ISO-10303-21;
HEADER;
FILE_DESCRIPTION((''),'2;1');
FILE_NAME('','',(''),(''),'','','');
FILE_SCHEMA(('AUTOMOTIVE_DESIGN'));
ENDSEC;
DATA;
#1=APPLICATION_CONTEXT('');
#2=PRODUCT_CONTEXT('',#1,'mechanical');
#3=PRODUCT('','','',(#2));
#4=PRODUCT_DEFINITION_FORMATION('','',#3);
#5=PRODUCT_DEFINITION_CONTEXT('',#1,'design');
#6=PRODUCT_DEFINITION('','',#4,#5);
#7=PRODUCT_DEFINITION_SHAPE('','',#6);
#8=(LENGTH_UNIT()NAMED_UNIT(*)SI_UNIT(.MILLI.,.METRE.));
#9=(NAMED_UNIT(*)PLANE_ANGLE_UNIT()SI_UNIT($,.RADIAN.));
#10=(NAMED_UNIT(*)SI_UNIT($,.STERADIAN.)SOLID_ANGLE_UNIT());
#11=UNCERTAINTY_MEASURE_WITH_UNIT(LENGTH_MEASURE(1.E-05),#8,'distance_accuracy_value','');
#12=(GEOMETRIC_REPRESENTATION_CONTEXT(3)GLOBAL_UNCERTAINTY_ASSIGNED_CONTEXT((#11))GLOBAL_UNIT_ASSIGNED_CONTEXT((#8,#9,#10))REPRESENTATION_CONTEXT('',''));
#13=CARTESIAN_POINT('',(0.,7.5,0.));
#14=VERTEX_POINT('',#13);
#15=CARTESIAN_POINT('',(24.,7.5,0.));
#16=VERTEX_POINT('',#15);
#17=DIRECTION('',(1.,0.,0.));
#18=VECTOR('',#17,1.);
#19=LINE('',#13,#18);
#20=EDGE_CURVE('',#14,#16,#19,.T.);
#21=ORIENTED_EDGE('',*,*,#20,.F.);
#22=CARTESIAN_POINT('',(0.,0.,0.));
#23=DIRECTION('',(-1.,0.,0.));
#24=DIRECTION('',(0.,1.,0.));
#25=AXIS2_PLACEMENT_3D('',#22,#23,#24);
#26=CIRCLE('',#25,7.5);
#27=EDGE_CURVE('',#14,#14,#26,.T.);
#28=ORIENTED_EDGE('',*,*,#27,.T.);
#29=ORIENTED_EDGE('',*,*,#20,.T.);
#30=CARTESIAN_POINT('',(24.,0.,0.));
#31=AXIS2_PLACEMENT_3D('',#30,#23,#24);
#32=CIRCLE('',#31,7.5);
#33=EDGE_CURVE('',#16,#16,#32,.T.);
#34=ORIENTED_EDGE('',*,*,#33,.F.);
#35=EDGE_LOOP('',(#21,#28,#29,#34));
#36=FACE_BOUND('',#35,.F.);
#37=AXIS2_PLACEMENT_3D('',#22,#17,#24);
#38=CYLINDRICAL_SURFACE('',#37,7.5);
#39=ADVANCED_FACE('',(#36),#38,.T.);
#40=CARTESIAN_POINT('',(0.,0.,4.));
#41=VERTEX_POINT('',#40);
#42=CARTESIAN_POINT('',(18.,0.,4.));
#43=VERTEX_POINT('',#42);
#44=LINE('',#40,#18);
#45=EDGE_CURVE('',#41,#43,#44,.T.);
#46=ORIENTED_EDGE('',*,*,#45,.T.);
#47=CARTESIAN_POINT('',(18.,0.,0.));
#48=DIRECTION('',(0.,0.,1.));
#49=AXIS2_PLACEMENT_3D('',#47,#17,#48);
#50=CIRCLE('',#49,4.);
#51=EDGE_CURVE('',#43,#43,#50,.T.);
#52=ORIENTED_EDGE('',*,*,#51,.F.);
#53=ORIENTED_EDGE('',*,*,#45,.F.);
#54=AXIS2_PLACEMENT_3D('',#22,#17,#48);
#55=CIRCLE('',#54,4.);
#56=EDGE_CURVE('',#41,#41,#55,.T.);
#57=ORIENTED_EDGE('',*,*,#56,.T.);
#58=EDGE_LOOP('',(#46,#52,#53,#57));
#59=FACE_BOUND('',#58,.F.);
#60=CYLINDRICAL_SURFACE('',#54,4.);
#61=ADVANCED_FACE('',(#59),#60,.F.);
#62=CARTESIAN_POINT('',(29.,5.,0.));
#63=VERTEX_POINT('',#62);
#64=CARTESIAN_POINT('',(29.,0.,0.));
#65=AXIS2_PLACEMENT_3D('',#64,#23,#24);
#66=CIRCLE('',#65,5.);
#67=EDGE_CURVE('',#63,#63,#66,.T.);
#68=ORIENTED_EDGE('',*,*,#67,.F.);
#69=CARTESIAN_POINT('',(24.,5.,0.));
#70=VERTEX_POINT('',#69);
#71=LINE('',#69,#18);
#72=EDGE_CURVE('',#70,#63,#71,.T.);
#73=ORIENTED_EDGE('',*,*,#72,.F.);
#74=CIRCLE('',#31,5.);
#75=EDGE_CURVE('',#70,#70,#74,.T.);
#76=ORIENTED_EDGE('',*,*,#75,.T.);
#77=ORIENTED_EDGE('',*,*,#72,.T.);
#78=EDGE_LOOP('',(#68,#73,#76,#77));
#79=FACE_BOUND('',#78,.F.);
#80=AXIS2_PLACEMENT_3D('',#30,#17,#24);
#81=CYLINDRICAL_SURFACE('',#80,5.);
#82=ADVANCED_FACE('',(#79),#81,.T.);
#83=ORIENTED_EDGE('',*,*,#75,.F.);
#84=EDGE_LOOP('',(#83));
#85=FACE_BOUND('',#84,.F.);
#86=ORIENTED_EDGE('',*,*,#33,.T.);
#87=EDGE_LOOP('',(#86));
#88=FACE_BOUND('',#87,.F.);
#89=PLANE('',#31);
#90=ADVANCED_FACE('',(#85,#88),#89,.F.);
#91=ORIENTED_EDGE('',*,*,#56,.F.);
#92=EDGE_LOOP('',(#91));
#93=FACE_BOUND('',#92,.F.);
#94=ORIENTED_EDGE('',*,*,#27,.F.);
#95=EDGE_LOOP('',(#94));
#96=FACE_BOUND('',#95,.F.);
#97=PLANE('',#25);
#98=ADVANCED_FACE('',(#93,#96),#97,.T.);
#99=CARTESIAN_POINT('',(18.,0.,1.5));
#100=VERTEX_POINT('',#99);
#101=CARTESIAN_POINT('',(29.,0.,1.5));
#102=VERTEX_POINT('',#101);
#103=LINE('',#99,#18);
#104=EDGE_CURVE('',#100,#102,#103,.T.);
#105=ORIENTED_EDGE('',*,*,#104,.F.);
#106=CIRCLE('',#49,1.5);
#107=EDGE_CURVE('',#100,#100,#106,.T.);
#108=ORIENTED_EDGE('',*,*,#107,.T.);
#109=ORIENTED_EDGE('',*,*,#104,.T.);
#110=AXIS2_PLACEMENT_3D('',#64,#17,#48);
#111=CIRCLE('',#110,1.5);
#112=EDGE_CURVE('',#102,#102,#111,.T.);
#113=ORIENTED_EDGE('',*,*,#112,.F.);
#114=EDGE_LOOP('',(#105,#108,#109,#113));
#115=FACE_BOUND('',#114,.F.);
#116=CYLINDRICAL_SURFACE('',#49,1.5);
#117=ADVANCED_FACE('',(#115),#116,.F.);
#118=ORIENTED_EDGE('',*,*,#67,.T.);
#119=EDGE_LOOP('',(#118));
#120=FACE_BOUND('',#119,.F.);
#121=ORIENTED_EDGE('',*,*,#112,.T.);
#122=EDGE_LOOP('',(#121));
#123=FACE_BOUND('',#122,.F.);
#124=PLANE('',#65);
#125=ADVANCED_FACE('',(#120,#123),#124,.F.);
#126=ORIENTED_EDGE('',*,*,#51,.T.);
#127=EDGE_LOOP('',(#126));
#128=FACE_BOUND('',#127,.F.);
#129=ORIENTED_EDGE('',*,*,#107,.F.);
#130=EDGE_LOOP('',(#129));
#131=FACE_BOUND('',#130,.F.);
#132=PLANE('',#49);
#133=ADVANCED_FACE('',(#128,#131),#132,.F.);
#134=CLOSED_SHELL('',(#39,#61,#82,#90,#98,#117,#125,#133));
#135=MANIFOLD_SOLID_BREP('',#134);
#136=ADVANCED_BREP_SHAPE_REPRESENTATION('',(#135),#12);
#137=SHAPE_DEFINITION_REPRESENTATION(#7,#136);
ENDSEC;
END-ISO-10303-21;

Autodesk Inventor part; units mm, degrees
ref_plane "YZ Plane" through (0, 0, 0) normal (1, 0, 0) x (0, 1, 0)
ref_plane "XZ Plane" through (0, 0, 0) normal (0, 1, 0) x (-1, 0, 0)
ref_plane "XY Plane" through (0, 0, 0) normal (0, 0, 1) x (1, 0, 0)
sketch "Sketch1" plane through (0, 0, 0) normal (0, 0, 1) x (1, 0, 0)
  line L0 (0, 0) -> (0, 7.5)
  line L1 (0, 7.5) -> (24, 7.5)
  line L2 (24, 7.5) -> (24, 5)
  line L3 (24, 5) -> (29, 5)
  line L4 (29, 5) -> (29, 0)
  line L5 (29, 0) -> (0, 0)
  dimension "d0" = 24
  dimension "d1" = 5
  dimension "d2" = 15
  dimension "d3" = 10
revolve "Revolution1" add sketch "Sketch1" angle 360 about axis through (29, 0, 0) along (-1, 0, 0)
sketch "Sketch2" plane through (0, 0, 0) normal (-1, 0, 0) x (0, 0, 1)
  circle A0 centre (0, 0) radius 7.5 projected
  point P0 (0, 0)
hole "Hole1" at (0, 0, 0) direction (1, 0, 0) diameter 3 depth 29 counterbore diameter 8 counterbore depth 18
thread "Thread1" size "M8x1.25" class "6H" standard "ISO Metric profile" full length
properties part number "1 part 18"
